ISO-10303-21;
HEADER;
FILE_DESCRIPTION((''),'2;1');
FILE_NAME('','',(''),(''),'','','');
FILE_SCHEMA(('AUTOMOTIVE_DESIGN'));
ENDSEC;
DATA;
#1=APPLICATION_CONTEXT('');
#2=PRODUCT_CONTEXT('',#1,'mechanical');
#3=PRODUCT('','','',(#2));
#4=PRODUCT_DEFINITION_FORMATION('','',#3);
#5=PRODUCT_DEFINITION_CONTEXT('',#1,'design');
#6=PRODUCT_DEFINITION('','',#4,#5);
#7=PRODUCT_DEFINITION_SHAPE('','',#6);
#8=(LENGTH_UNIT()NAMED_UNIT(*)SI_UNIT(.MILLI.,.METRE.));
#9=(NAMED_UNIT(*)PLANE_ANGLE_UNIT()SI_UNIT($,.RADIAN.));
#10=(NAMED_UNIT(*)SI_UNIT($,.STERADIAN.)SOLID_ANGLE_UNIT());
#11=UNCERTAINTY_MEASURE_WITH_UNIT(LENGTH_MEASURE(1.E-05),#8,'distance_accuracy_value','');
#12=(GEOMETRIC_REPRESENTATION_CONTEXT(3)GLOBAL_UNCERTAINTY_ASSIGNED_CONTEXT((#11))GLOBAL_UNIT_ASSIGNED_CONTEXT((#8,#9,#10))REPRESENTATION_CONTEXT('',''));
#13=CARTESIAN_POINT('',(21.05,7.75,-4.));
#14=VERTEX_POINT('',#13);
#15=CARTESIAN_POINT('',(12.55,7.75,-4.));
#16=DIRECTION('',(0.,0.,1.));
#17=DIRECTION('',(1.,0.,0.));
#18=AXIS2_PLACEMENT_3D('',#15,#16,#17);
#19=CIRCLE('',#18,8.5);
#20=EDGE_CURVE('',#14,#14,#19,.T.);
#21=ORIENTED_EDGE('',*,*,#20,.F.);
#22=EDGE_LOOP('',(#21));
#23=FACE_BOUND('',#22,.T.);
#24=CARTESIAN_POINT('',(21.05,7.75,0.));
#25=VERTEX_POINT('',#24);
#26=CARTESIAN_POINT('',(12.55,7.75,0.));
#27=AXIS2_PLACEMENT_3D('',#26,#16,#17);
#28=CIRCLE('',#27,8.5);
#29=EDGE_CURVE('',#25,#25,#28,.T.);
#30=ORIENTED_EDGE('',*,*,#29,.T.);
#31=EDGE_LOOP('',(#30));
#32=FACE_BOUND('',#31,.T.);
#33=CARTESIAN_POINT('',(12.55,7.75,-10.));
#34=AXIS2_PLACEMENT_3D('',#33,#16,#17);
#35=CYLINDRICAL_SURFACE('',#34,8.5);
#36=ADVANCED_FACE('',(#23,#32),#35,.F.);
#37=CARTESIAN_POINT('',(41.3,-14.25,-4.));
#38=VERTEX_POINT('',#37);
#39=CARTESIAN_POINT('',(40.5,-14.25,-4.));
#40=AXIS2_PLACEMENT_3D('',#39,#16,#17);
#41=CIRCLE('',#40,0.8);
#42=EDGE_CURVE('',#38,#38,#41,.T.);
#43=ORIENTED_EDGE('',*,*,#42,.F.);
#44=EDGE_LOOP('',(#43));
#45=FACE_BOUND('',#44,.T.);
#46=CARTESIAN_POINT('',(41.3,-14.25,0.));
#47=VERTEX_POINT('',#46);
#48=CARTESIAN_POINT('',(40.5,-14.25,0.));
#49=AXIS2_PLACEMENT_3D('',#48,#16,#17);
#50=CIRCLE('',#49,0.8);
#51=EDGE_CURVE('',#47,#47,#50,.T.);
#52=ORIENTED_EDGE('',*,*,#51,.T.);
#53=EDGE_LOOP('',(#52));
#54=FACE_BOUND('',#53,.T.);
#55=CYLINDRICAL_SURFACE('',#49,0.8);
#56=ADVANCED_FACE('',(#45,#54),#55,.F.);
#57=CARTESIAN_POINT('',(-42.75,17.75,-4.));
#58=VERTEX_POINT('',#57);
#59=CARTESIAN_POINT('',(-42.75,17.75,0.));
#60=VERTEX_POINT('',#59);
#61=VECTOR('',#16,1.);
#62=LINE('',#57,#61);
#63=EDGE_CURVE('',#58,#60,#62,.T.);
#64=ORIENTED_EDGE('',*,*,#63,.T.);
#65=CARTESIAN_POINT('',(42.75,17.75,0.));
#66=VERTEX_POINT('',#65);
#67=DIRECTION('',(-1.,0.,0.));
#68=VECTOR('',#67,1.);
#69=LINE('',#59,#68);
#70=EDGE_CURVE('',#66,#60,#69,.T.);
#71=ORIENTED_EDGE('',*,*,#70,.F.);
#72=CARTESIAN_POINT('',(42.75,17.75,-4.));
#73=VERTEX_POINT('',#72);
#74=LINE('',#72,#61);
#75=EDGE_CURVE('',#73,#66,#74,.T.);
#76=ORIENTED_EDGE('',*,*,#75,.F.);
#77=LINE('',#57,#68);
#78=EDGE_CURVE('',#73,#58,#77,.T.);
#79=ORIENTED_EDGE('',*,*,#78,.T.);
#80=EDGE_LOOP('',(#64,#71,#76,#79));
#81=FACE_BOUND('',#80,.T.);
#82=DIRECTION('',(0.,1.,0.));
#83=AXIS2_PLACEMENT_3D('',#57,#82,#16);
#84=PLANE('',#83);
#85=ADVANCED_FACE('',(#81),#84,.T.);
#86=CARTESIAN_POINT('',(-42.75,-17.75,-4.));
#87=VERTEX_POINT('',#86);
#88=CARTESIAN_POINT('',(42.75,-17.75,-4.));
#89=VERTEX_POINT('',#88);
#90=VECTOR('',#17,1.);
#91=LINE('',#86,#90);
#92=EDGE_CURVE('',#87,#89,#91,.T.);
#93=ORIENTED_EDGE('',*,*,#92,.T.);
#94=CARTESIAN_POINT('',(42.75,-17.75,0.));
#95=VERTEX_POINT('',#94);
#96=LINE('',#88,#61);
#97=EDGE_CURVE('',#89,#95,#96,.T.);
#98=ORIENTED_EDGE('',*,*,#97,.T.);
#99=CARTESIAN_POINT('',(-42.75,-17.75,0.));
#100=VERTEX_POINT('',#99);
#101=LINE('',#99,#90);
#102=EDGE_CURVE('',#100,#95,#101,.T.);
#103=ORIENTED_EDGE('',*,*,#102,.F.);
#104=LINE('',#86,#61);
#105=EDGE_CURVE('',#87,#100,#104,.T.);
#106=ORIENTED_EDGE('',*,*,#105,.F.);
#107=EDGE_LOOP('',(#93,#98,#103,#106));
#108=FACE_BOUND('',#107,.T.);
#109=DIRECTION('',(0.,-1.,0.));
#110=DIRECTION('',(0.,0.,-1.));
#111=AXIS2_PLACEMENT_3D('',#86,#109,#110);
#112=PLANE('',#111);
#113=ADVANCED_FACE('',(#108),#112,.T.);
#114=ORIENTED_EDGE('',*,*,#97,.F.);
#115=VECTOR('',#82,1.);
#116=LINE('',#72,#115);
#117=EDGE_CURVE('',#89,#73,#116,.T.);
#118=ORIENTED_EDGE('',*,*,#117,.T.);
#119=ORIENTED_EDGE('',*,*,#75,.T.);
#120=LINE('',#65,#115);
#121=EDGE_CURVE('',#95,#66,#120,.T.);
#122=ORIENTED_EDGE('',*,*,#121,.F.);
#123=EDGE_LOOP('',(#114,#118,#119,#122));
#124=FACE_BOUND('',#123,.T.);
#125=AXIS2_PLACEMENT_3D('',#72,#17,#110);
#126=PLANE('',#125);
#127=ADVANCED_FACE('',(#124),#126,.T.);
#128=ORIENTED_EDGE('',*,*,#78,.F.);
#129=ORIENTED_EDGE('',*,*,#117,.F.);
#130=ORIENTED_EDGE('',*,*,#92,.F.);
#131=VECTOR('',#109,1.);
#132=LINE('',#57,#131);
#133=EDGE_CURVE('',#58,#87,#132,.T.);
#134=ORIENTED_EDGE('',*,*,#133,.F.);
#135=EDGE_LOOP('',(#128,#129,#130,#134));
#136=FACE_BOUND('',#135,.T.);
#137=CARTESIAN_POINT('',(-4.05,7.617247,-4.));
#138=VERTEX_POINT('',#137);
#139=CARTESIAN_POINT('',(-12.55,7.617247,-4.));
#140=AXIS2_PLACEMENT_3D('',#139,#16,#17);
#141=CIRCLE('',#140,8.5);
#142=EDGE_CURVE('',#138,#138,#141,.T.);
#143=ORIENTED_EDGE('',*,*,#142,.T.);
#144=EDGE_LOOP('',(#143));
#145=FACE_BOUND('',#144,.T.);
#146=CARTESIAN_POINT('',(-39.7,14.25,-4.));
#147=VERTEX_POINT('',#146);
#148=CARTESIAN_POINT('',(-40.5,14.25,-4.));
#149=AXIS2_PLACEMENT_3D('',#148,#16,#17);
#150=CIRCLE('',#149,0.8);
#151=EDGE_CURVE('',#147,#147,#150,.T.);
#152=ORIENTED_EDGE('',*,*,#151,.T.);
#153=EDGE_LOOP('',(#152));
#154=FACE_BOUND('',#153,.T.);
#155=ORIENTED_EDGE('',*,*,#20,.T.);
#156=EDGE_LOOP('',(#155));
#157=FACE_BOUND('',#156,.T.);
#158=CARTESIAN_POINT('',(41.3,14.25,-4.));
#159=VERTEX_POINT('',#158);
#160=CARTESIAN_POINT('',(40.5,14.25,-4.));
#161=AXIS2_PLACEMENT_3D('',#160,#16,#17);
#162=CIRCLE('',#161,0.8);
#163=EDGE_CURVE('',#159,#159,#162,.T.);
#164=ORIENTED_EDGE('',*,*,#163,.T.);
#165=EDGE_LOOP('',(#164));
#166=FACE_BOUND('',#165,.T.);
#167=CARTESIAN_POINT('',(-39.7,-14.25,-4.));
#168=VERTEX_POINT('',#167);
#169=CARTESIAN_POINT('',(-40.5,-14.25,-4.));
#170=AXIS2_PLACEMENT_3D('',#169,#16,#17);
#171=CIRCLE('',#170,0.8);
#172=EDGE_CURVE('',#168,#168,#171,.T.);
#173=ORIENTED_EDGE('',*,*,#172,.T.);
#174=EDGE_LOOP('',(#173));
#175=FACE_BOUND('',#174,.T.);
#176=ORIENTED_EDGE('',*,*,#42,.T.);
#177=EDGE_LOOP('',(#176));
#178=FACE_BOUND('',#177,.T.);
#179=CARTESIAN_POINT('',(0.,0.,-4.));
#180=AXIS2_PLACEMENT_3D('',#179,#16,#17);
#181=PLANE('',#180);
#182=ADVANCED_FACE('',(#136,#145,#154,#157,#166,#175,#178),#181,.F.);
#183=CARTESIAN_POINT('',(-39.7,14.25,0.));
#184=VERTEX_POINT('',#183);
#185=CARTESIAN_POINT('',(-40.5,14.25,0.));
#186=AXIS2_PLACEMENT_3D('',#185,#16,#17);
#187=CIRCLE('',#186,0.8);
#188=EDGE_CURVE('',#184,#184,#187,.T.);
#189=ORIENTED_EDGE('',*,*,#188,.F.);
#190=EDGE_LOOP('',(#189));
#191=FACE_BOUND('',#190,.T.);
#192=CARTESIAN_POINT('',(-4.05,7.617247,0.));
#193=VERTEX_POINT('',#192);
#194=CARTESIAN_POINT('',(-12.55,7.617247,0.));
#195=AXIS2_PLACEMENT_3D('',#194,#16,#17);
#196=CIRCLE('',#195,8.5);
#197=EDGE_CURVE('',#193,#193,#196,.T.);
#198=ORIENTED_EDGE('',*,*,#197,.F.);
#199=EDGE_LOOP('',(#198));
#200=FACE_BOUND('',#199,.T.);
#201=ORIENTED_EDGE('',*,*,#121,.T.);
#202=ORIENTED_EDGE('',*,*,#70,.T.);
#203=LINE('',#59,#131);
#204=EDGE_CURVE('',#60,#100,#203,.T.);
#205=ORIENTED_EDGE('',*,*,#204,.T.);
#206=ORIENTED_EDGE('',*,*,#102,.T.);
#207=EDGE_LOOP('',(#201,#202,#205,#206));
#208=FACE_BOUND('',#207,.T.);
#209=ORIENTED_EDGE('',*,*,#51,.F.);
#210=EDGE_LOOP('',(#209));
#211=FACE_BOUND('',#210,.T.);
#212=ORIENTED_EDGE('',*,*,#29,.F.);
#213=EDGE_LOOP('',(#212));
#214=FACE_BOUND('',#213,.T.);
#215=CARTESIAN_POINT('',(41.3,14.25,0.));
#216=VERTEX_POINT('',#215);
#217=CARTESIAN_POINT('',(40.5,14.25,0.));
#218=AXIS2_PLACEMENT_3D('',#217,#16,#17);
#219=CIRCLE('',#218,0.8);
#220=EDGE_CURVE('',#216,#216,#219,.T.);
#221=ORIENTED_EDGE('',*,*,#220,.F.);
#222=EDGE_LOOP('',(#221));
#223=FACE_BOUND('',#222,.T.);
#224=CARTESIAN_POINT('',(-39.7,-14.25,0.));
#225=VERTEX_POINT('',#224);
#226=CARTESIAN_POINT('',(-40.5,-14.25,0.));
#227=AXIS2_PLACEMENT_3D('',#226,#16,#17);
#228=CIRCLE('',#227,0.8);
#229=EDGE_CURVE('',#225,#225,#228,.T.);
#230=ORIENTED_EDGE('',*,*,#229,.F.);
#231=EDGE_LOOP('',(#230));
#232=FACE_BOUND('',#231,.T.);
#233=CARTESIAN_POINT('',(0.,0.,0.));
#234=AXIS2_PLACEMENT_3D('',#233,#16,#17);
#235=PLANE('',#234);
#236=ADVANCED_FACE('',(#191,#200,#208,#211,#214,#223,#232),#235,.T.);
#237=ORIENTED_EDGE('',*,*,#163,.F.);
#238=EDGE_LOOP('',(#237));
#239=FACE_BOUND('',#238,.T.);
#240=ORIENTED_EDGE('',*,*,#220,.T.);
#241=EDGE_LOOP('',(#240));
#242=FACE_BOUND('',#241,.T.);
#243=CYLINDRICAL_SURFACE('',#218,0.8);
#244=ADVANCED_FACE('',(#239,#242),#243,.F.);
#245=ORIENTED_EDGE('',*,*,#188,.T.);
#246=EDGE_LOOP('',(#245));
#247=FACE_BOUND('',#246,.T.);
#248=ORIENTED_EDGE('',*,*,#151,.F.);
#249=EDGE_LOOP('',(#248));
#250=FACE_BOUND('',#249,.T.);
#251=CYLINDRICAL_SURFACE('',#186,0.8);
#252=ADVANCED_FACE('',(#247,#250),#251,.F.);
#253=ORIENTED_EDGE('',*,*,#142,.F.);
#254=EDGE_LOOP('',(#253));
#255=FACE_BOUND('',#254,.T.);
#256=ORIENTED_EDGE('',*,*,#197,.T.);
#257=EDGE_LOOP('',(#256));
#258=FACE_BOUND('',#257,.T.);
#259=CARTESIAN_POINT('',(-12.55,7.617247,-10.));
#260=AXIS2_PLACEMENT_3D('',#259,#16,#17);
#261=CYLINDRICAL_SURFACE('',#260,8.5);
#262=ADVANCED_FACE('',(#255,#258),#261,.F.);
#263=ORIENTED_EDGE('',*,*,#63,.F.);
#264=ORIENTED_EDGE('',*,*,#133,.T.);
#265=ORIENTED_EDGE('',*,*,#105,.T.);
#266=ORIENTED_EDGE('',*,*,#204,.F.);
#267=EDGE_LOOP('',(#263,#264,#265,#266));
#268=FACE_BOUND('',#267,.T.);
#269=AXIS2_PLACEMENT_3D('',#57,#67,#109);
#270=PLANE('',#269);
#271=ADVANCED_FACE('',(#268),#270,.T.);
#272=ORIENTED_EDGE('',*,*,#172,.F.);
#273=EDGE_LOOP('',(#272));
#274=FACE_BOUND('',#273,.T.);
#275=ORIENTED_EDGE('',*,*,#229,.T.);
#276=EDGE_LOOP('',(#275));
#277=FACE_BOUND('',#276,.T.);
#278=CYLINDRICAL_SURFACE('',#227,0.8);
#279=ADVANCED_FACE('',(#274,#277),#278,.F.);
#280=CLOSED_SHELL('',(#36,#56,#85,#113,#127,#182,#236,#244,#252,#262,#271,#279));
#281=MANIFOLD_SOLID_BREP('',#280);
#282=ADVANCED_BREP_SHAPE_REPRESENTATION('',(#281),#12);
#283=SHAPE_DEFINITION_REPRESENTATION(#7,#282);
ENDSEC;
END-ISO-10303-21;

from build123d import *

# Parameters (mm, degrees)
SKETCH1_W             = 85.5
SKETCH1_H             = 35.5
BOSS_EXTRUDE1_DEPTH   = 4
M2_TAPPED_HOLE1_D     = 1.6
M2_TAPPED_HOLE1_DEPTH = 6
M2_TAPPED_HOLE1_TIP   = 0.480688495
SKETCH4_R             = 8.5
CUT_EXTRUDE1_DEPTH    = 10


with BuildPart() as part:
    # Sketch1 → Boss-Extrude1 (new body)
    with BuildSketch(Plane.XY):
        Rectangle(SKETCH1_W, SKETCH1_H)
    extrude(amount=-BOSS_EXTRUDE1_DEPTH)

    # M2 Tapped Hole1
    with Locations(Plane.XY):
        with Locations((40.5, 14.25), (-40.5, 14.25), (40.5, -14.25), (-40.5, -14.25)):
            Hole(M2_TAPPED_HOLE1_D / 2, depth=M2_TAPPED_HOLE1_DEPTH)
            with Locations((0, 0, -(M2_TAPPED_HOLE1_DEPTH + M2_TAPPED_HOLE1_TIP / 2))):  # 118° drill point
                Cone(0, M2_TAPPED_HOLE1_D / 2, M2_TAPPED_HOLE1_TIP, mode=Mode.SUBTRACT)

    # Sketch4 → Cut-Extrude1 (cut)
    with BuildSketch(Plane.XY):
        with Locations((12.55, 7.75)):
            Circle(SKETCH4_R)
        with Locations((-12.55, 7.61724702)):
            Circle(SKETCH4_R)
    extrude(amount=-CUT_EXTRUDE1_DEPTH, mode=Mode.SUBTRACT)


solid = part.part
